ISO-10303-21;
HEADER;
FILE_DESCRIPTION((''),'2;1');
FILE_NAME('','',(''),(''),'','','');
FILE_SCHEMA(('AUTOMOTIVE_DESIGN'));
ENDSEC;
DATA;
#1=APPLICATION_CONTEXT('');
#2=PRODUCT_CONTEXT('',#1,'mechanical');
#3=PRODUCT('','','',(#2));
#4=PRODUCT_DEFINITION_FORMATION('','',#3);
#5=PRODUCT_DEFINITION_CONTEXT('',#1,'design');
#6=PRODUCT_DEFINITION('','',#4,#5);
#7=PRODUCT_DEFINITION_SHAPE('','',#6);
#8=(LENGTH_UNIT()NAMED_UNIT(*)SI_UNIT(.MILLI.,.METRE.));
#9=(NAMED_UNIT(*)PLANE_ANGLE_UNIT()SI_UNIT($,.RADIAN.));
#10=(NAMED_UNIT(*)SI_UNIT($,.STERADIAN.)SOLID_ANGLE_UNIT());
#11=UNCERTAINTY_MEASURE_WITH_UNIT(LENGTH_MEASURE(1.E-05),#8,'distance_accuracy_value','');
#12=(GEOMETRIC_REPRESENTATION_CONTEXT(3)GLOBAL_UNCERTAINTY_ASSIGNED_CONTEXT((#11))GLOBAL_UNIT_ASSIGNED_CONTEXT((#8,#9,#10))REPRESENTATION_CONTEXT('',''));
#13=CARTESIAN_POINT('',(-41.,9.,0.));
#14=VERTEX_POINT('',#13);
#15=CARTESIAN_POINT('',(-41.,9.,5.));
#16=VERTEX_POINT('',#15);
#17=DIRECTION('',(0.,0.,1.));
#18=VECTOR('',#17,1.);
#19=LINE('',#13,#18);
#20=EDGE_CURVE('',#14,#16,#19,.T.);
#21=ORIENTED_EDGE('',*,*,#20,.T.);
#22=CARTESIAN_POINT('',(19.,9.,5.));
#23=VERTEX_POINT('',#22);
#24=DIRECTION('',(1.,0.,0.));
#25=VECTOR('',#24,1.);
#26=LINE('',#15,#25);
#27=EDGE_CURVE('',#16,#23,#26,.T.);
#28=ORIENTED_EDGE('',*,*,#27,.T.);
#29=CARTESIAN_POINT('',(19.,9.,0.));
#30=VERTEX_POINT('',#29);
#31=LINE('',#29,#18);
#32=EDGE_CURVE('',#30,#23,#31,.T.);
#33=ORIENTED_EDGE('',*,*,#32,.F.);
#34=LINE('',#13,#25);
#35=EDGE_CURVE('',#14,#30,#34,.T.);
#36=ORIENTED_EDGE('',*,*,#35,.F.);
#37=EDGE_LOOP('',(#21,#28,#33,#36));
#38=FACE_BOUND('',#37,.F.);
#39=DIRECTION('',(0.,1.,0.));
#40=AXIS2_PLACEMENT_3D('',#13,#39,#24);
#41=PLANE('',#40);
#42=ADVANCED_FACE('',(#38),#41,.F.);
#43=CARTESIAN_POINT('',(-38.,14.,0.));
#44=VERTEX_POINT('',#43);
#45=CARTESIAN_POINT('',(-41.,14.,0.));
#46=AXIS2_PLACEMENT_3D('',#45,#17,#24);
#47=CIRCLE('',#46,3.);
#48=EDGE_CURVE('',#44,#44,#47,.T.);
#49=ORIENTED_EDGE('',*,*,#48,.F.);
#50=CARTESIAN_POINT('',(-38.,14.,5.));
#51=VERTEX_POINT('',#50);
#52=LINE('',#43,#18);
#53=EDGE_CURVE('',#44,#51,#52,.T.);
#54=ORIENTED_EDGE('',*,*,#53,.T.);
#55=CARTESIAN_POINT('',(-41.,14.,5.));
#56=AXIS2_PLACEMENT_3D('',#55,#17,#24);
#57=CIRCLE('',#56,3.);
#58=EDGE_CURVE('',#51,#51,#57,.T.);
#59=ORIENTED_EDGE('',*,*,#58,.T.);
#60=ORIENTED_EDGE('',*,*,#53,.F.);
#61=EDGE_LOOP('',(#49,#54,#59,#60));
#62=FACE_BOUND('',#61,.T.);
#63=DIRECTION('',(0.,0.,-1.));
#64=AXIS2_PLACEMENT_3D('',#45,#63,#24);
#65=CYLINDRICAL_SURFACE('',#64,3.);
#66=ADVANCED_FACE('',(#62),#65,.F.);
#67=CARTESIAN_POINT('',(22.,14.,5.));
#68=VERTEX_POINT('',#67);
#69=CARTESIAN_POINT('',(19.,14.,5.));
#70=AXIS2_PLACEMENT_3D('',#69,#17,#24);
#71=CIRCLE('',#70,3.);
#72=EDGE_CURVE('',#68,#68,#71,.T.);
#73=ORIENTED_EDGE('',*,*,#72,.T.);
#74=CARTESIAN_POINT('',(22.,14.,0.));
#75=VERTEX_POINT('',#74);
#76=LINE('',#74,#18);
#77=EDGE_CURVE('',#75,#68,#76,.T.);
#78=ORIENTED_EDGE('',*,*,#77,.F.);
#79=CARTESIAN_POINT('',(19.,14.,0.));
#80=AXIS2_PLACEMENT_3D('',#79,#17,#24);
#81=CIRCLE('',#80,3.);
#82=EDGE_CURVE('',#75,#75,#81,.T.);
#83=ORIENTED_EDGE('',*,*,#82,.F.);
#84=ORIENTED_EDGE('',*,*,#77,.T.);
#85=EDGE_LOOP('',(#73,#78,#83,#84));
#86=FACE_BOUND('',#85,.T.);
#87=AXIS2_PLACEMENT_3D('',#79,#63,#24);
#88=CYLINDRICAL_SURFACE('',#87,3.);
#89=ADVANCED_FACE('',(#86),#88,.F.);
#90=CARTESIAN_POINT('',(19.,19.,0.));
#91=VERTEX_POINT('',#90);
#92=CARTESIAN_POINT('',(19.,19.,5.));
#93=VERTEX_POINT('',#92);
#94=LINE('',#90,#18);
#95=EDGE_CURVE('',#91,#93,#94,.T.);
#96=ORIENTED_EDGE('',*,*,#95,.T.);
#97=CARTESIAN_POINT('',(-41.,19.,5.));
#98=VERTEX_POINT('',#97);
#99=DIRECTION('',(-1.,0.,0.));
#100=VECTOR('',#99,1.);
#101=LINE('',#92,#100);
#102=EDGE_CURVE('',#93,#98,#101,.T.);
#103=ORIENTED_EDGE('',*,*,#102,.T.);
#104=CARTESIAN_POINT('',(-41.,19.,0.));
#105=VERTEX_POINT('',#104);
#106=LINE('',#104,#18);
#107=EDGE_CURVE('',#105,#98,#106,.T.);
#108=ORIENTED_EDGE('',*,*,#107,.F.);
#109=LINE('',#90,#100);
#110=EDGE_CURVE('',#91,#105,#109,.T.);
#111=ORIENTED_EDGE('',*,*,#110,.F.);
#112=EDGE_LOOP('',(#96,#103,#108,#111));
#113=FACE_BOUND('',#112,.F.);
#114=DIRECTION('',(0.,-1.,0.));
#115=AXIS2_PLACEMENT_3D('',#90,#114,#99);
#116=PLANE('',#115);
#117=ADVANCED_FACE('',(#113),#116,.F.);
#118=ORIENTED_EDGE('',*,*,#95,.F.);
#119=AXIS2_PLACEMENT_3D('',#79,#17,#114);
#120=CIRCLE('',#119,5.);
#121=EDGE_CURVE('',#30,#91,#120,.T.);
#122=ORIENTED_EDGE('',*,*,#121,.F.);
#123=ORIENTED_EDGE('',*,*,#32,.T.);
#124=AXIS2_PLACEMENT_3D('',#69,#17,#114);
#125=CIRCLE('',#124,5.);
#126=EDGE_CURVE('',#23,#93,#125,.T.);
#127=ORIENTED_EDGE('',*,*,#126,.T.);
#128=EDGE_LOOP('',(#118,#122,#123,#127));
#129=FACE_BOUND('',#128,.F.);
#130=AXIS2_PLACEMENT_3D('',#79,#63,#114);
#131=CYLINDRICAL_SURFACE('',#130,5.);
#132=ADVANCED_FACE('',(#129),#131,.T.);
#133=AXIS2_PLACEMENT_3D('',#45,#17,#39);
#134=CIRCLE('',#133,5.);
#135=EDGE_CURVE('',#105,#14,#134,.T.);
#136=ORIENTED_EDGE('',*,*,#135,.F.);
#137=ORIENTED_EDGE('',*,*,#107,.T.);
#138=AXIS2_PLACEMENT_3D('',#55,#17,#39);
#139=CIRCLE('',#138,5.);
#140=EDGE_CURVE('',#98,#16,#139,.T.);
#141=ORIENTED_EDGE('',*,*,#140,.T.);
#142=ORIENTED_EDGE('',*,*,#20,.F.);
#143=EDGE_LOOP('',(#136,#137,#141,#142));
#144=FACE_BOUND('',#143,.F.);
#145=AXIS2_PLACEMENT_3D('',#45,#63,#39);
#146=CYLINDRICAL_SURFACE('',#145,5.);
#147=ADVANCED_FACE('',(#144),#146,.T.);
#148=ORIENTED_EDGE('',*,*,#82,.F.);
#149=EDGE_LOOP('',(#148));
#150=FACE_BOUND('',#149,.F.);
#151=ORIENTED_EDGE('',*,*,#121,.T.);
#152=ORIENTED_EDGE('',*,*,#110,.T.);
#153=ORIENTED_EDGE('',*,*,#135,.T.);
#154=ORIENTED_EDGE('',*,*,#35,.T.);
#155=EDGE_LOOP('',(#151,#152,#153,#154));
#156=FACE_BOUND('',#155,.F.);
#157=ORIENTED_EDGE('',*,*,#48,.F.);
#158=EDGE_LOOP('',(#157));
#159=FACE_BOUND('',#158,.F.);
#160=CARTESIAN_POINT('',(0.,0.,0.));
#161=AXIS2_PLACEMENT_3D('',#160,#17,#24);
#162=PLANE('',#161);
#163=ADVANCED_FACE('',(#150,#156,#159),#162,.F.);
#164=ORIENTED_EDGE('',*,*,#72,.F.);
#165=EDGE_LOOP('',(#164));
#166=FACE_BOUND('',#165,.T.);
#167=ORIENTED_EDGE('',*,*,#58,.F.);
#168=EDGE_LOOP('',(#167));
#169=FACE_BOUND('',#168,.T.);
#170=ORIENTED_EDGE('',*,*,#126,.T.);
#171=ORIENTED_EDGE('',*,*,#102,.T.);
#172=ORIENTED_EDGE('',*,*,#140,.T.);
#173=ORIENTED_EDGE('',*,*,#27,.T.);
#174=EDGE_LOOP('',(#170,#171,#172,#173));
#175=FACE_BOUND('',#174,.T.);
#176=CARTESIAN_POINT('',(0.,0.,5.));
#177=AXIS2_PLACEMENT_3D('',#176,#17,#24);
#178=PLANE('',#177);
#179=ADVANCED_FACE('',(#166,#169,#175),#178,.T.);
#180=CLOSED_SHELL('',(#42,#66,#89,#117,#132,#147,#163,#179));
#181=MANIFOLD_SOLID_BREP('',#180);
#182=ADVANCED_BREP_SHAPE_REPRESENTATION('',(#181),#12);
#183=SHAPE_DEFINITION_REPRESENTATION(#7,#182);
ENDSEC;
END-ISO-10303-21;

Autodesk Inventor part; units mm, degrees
ref_plane "YZ Plane" through (0, 0, 0) normal (1, 0, 0) x (0, 1, 0)
ref_plane "XZ Plane" through (0, 0, 0) normal (0, 1, 0) x (-1, 0, 0)
ref_plane "XY Plane" through (0, 0, 0) normal (0, 0, 1) x (1, 0, 0)
sketch "Sketch1" plane through (0, 0, 0) normal (0, 0, 1) x (1, 0, 0)
  line L0 (-41, 14) -> (19, 14) construction
  line L1 (-41, 9) -> (19, 9)
  line L2 (19, 19) -> (-41, 19)
  arc A0 (-41, 19) -> (-41, 9) centre (-41, 14) ccw
  arc A1 (19, 9) -> (19, 19) centre (19, 14) ccw
  circle A2 centre (-41, 14) radius 3
  circle A3 centre (19, 14) radius 3
  point P0 (0, 0)
  point P1 (-11, 14)
  dimension "d0" = 10
  dimension "d1" = 6
  dimension "d3" = 60
extrude "Extrusion1" add sketch "Sketch1" along normal blind 5
equation "\"d0\" = R"
equation "\"d1\" = r"
equation "\"d4\" = th"
equation "\"th\" = 5"
equation "\"r\" = 6"
equation "\"R\" = 10"
